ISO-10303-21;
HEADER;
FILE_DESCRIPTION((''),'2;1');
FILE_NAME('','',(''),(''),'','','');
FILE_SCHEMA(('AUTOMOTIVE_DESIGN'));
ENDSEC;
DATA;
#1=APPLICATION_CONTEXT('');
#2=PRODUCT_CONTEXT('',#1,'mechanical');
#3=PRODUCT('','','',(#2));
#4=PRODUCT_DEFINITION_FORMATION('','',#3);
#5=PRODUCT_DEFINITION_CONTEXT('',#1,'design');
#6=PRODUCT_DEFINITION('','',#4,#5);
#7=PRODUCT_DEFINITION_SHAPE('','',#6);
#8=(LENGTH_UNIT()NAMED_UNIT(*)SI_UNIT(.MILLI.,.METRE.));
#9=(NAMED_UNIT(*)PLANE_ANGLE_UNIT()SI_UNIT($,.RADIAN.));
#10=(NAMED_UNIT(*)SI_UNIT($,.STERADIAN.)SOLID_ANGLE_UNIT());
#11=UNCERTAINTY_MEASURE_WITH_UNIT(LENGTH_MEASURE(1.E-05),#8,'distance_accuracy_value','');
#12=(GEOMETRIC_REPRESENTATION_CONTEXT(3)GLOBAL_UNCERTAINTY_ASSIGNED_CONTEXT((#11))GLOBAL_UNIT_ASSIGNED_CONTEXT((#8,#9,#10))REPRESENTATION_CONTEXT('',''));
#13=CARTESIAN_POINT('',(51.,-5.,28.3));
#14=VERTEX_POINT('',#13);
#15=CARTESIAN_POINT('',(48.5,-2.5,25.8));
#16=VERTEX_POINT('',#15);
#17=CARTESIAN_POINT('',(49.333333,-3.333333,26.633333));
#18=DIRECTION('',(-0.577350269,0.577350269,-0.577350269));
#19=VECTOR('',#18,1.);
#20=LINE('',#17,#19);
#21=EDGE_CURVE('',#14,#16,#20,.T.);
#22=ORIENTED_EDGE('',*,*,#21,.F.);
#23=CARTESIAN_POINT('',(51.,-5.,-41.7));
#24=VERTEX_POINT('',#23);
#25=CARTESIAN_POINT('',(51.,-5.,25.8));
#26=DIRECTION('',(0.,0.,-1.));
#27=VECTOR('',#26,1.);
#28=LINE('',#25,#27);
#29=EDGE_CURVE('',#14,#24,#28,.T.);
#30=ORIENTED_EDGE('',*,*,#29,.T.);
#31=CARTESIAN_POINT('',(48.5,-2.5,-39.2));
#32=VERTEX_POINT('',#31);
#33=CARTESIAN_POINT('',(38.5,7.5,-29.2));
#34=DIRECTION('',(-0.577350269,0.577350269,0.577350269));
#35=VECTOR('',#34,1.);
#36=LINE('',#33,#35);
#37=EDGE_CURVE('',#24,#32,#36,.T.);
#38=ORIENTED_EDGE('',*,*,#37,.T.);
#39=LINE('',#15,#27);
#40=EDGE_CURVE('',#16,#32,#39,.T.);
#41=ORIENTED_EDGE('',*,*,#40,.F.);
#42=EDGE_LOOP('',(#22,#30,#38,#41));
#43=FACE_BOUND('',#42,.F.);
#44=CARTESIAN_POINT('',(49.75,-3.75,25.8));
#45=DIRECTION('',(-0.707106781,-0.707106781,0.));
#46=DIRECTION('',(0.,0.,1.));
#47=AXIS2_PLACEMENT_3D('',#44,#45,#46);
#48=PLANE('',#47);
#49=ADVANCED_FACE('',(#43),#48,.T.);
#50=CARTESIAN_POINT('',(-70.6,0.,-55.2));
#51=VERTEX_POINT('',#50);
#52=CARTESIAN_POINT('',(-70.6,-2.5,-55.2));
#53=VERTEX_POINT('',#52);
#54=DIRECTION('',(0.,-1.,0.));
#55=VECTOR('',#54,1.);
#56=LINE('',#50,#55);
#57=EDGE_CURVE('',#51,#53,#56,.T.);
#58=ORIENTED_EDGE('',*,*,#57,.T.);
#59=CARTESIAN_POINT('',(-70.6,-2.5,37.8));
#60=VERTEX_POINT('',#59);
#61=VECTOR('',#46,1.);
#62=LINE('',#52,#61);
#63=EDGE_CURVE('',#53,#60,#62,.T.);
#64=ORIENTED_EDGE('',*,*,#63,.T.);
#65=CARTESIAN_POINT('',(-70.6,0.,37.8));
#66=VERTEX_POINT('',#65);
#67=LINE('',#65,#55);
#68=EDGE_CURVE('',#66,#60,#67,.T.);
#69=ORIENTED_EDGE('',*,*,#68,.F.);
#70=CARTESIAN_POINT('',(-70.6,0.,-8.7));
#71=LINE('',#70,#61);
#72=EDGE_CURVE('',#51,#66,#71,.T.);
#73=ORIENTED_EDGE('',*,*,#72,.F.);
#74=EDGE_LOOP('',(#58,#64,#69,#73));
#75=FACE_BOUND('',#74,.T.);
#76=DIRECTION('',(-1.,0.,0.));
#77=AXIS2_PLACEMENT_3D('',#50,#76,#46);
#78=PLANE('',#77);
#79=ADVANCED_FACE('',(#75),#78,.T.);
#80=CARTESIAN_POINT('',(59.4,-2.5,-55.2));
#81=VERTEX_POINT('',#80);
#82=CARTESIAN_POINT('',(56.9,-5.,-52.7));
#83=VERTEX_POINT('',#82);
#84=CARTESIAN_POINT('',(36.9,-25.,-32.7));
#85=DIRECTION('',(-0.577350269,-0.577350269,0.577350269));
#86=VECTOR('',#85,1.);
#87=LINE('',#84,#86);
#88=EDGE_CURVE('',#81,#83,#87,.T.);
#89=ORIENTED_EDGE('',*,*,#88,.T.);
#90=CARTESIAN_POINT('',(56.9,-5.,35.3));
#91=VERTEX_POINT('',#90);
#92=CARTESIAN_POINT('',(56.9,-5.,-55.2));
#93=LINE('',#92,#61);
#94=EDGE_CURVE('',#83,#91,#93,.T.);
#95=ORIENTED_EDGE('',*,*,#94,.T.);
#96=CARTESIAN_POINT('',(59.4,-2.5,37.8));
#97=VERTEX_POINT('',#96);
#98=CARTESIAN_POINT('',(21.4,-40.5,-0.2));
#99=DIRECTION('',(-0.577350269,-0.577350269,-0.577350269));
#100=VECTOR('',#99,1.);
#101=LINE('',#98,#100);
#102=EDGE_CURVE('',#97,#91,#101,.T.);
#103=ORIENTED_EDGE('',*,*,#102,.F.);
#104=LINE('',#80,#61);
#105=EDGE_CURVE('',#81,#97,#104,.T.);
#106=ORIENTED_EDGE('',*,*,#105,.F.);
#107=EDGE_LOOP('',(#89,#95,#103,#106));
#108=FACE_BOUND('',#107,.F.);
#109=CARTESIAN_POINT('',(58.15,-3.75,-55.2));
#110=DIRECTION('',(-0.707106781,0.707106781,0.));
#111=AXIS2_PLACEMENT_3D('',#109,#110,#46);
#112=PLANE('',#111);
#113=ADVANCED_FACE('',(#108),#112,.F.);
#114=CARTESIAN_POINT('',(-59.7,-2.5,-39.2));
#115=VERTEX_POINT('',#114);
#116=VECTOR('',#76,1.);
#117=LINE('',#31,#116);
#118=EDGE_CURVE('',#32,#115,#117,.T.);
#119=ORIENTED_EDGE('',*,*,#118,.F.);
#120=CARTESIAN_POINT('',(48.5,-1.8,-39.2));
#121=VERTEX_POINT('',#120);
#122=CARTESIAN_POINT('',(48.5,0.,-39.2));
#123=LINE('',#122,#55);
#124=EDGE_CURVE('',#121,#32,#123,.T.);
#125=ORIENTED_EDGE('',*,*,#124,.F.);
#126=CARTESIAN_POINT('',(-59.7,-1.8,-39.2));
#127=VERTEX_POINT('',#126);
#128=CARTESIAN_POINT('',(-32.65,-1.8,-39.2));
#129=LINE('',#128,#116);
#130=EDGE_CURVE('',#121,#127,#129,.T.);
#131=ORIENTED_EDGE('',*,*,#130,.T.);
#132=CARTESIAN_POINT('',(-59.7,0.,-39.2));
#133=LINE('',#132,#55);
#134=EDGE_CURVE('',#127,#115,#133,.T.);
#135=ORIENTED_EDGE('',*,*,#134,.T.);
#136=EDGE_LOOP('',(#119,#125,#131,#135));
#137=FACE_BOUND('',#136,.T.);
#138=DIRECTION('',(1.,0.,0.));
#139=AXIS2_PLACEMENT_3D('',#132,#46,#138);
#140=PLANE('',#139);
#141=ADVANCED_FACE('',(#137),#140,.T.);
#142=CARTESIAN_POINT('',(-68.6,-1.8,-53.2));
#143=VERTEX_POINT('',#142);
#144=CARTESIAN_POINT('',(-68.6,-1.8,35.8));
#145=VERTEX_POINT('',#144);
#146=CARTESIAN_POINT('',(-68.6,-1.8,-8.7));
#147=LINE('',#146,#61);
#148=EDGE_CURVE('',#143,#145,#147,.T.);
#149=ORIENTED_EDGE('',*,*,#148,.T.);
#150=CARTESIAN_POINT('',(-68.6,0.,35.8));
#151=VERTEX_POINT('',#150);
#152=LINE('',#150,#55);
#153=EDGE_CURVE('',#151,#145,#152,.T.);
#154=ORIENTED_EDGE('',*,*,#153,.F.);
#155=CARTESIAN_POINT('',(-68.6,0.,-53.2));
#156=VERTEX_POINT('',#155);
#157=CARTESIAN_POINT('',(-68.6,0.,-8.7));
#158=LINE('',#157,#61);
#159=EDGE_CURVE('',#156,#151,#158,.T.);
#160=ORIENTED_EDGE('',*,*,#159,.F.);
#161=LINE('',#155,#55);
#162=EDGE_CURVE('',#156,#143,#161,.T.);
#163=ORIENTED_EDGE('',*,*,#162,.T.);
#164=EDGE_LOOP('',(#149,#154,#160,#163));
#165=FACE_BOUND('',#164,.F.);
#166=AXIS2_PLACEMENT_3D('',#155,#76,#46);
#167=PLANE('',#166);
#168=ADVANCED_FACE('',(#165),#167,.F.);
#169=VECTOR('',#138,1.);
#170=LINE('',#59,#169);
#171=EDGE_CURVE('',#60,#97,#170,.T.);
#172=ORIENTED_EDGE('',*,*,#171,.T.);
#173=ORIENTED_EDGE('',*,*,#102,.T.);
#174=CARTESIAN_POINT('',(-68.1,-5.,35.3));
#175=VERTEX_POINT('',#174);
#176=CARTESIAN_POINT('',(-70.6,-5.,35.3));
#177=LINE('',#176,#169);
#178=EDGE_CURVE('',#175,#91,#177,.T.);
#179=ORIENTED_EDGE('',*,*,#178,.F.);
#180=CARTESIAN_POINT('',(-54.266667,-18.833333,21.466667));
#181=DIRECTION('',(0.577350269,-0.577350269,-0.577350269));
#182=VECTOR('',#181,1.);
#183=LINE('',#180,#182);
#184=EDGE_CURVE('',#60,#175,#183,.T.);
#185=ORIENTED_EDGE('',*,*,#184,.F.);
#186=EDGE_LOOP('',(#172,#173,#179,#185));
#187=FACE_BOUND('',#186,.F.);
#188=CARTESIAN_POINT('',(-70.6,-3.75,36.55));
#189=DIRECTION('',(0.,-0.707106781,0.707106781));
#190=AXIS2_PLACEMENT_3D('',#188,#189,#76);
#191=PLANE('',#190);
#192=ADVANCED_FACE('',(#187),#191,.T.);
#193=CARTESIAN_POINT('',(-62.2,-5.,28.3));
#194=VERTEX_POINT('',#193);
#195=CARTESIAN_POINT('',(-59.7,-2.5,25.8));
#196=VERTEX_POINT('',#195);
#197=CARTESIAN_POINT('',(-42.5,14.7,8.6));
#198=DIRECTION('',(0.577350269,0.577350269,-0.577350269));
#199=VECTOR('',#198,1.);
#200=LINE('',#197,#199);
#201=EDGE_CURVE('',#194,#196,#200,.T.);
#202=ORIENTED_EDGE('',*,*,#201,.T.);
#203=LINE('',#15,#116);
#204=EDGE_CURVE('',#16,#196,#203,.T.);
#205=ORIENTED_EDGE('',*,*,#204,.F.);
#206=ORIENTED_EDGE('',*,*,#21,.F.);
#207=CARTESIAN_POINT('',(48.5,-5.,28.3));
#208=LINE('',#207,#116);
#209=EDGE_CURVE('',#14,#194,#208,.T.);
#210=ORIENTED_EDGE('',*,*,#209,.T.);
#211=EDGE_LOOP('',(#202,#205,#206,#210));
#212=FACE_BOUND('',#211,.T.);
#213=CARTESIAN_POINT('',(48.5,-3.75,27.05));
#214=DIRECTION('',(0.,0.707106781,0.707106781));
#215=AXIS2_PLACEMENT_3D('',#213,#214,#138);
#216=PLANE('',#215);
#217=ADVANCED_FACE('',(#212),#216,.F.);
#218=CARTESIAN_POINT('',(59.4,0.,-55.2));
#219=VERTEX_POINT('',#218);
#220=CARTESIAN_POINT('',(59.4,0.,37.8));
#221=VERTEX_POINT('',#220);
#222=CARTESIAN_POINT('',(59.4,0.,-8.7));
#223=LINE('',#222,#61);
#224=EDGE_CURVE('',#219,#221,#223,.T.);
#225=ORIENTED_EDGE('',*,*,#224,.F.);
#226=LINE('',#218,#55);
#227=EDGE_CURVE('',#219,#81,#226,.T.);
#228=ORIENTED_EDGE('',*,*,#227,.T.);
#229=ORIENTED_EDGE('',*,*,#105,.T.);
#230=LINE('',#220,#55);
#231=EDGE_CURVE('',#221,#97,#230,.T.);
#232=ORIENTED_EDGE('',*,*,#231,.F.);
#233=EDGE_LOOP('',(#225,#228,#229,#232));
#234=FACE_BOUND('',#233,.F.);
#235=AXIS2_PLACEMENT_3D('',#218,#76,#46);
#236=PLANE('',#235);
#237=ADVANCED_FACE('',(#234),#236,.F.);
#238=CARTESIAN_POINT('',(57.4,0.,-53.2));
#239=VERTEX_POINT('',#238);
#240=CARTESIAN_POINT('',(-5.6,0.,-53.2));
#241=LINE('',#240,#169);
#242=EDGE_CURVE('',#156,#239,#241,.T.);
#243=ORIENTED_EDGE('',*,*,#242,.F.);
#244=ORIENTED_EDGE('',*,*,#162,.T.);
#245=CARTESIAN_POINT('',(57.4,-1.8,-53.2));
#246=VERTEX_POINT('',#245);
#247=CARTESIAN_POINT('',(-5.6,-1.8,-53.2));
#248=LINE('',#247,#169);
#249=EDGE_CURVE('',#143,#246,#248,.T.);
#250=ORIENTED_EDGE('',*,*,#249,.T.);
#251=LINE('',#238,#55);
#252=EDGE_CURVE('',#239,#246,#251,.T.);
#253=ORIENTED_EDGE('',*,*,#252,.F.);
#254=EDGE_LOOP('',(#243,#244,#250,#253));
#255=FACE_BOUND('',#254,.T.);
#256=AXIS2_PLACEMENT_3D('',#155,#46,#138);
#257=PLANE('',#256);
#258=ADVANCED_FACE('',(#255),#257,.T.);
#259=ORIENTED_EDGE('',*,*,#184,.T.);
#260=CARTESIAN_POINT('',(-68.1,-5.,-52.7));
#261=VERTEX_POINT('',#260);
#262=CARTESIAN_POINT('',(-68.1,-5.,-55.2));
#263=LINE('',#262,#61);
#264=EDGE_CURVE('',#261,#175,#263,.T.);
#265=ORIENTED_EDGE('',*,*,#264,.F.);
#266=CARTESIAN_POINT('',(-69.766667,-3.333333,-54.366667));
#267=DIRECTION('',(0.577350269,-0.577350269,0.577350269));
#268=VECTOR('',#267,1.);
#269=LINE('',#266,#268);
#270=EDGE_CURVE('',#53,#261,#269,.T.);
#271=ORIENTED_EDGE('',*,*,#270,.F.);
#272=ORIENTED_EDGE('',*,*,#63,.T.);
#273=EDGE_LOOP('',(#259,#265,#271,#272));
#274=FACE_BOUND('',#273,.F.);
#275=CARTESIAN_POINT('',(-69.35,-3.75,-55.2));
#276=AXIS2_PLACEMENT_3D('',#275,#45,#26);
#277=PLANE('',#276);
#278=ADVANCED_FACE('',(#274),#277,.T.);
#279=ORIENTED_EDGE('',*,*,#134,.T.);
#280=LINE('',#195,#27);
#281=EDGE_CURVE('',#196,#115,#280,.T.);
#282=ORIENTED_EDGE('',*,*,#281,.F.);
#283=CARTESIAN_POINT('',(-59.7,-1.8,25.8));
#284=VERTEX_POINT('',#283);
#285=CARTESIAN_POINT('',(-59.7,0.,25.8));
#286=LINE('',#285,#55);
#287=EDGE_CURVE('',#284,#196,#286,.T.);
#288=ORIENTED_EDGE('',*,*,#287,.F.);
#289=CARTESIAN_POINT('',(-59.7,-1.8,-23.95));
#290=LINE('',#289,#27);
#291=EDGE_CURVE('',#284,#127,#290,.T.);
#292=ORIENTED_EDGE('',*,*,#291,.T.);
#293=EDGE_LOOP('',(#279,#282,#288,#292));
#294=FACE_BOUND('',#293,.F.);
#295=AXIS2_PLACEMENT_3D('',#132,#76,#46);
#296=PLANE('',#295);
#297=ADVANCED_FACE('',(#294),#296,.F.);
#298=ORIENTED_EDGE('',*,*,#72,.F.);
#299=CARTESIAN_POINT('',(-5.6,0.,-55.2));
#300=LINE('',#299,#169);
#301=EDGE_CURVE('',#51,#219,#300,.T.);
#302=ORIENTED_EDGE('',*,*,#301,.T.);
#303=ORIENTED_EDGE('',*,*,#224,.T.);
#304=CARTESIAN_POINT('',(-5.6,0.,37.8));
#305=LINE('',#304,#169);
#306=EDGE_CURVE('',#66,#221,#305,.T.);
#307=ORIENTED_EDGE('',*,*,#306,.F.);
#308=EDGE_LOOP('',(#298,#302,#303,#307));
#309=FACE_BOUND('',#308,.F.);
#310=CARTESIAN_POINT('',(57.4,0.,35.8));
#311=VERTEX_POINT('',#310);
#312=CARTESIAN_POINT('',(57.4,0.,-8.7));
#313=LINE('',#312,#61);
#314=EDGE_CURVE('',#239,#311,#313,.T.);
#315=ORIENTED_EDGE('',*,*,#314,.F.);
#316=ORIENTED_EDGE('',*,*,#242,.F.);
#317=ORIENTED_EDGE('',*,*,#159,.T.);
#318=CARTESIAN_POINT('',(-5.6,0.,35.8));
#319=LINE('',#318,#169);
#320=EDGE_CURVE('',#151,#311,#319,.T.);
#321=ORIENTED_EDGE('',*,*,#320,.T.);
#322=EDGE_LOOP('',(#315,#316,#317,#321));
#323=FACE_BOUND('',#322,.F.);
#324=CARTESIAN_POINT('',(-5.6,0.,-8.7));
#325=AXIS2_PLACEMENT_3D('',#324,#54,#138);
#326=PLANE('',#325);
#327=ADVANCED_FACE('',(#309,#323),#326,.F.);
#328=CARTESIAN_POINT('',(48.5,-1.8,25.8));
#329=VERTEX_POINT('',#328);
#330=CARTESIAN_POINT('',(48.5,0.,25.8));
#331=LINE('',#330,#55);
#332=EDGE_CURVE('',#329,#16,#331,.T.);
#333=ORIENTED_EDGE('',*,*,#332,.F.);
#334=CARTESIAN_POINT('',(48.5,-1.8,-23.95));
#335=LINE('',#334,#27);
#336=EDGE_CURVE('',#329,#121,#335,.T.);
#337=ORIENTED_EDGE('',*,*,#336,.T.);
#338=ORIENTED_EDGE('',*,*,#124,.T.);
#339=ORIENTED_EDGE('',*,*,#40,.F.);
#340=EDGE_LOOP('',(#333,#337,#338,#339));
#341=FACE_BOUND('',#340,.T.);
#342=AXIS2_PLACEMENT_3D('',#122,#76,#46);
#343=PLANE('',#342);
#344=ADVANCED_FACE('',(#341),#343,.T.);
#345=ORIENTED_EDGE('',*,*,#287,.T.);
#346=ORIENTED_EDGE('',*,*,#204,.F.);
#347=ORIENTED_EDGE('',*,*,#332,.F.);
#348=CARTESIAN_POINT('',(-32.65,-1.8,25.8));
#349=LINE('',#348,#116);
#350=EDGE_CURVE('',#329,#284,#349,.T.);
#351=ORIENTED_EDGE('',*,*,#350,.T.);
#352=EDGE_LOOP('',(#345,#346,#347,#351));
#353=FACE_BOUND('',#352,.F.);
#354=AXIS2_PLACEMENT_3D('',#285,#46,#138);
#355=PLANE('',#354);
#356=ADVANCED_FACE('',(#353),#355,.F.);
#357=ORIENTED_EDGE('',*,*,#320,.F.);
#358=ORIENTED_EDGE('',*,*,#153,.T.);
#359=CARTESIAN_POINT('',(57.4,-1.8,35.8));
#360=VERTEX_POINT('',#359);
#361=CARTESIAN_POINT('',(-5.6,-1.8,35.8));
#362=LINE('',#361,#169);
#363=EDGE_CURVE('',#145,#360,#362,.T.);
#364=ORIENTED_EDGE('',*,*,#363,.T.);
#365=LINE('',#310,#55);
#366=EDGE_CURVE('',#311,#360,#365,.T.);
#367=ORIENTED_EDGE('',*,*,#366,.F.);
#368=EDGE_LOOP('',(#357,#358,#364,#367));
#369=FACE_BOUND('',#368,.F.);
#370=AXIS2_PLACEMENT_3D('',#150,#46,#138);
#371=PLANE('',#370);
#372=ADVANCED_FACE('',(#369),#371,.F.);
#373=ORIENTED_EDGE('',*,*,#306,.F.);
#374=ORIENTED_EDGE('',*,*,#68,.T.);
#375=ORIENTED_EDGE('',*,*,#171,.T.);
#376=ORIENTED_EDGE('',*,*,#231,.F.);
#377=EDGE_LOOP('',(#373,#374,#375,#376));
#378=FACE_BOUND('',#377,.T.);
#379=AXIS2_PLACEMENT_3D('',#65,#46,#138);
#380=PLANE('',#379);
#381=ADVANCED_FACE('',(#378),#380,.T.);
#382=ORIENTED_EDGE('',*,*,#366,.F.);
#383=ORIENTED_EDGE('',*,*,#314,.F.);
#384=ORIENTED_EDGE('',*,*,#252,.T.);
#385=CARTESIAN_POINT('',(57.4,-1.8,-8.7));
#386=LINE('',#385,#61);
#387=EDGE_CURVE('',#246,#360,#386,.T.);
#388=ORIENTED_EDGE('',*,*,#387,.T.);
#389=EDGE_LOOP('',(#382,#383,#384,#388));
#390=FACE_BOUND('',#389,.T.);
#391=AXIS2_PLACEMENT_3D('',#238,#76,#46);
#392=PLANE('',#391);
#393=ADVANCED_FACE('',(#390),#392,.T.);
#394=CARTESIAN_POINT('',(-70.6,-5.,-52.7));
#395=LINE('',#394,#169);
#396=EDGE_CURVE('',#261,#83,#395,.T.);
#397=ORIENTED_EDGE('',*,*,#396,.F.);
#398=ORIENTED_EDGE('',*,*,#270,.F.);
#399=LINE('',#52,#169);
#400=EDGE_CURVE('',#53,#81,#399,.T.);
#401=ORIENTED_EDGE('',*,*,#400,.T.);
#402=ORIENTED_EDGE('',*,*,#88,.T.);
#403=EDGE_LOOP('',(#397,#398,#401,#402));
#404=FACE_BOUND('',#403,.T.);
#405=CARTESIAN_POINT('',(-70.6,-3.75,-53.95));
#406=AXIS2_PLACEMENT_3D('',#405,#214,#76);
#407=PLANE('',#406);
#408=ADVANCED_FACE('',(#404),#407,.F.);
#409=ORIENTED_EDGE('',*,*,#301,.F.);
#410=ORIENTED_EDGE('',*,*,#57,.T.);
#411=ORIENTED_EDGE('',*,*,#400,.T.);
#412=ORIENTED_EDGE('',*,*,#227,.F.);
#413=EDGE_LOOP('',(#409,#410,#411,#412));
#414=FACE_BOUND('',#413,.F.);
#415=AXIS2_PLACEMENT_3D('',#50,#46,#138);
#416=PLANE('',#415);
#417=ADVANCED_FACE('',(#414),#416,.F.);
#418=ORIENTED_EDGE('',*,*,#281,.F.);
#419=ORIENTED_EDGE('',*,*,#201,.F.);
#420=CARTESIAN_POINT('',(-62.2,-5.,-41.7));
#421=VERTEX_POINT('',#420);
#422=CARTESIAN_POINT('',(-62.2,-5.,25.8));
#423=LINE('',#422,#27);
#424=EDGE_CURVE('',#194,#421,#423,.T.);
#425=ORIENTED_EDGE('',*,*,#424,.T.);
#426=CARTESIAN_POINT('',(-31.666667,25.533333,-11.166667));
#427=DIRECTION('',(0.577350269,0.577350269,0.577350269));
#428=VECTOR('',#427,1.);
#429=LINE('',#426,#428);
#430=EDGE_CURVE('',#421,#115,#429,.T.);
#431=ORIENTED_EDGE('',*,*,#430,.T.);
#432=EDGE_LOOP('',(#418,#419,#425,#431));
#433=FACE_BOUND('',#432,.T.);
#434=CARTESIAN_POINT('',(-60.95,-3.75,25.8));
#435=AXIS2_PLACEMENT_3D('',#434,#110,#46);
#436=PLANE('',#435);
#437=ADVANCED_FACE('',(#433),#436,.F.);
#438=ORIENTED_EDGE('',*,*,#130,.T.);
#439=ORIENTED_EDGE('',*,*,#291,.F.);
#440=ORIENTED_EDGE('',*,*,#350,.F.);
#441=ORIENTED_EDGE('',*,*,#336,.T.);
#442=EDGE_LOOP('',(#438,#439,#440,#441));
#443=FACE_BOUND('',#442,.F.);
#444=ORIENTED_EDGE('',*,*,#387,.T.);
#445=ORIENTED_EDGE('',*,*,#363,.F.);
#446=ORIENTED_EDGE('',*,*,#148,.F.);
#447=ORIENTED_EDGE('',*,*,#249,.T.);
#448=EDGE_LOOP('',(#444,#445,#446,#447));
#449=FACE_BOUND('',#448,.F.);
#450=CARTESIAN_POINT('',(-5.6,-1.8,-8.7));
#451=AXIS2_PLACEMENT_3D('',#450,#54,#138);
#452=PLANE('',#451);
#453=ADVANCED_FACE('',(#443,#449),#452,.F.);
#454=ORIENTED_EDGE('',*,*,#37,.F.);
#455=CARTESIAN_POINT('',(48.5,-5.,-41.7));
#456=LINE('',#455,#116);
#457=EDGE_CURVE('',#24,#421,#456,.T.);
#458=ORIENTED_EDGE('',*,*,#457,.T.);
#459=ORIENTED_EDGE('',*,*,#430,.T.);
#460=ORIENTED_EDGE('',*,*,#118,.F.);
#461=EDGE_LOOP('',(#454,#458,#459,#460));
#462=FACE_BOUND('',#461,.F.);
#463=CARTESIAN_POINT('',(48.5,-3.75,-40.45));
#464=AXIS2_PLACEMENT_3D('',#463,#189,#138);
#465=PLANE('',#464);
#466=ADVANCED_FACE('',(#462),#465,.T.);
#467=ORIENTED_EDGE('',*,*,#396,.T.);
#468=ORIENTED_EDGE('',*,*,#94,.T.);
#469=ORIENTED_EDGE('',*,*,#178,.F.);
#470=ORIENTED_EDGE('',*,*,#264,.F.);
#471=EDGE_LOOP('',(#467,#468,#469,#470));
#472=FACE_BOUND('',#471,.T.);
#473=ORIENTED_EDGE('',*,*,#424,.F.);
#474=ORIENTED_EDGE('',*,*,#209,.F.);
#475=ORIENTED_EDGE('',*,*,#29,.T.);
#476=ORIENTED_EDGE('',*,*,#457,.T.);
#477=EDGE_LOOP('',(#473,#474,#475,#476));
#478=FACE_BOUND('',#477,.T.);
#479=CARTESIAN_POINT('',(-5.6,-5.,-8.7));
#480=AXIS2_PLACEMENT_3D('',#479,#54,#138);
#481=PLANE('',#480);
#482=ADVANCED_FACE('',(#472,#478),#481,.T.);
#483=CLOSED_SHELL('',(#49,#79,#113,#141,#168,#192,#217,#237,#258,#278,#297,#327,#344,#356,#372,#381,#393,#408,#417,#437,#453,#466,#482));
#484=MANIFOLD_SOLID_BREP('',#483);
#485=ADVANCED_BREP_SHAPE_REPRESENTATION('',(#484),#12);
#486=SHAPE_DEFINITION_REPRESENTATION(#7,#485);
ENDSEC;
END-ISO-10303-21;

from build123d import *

# Parameters (mm, degrees)
F0_W     = 130
F0_H     = 93
F3_DEPTH = 5
F1_W     = 126
F1_H     = 89
F4_DEPTH = 1.8
F2_W     = 108.2
F2_H     = 65
F5_DEPTH = 25
F6_SIZE  = 2.5


with BuildPart() as f3:
    # F0 (on Front) → F3 (new body)
    with BuildSketch(Plane.XZ):
        with Locations((-5.6, -8.7)):
            Rectangle(F0_W, F0_H)
    extrude(amount=F3_DEPTH)

    # F1 (on face) → F4 (cut)
    with BuildSketch(Plane.XZ):
        with Locations((-5.6, -8.7)):
            Rectangle(F1_W, F1_H)
    extrude(amount=F4_DEPTH, mode=Mode.SUBTRACT)

    # F2 (on face) → F5 (cut)
    with BuildSketch(Plane.XZ):
        with Locations((-5.6, -6.7)):
            Rectangle(F2_W, F2_H)
    extrude(amount=F5_DEPTH, mode=Mode.SUBTRACT)

    # F6
    f6_edges = [f3.edges().sort_by_distance(p)[0] for p in [
        (-5.6, -5, 25.8),
        (-59.7, -5, -6.7),
        (48.5, -5, -6.7),
        (-5.6, -5, -39.2),
        (-70.6, -5, -8.7),
        (-5.6, -5, -55.2),
        (-5.6, -5, 37.8),
        (59.4, -5, -8.7),
    ]]
    chamfer(f6_edges, length=F6_SIZE)


solid = f3.part
